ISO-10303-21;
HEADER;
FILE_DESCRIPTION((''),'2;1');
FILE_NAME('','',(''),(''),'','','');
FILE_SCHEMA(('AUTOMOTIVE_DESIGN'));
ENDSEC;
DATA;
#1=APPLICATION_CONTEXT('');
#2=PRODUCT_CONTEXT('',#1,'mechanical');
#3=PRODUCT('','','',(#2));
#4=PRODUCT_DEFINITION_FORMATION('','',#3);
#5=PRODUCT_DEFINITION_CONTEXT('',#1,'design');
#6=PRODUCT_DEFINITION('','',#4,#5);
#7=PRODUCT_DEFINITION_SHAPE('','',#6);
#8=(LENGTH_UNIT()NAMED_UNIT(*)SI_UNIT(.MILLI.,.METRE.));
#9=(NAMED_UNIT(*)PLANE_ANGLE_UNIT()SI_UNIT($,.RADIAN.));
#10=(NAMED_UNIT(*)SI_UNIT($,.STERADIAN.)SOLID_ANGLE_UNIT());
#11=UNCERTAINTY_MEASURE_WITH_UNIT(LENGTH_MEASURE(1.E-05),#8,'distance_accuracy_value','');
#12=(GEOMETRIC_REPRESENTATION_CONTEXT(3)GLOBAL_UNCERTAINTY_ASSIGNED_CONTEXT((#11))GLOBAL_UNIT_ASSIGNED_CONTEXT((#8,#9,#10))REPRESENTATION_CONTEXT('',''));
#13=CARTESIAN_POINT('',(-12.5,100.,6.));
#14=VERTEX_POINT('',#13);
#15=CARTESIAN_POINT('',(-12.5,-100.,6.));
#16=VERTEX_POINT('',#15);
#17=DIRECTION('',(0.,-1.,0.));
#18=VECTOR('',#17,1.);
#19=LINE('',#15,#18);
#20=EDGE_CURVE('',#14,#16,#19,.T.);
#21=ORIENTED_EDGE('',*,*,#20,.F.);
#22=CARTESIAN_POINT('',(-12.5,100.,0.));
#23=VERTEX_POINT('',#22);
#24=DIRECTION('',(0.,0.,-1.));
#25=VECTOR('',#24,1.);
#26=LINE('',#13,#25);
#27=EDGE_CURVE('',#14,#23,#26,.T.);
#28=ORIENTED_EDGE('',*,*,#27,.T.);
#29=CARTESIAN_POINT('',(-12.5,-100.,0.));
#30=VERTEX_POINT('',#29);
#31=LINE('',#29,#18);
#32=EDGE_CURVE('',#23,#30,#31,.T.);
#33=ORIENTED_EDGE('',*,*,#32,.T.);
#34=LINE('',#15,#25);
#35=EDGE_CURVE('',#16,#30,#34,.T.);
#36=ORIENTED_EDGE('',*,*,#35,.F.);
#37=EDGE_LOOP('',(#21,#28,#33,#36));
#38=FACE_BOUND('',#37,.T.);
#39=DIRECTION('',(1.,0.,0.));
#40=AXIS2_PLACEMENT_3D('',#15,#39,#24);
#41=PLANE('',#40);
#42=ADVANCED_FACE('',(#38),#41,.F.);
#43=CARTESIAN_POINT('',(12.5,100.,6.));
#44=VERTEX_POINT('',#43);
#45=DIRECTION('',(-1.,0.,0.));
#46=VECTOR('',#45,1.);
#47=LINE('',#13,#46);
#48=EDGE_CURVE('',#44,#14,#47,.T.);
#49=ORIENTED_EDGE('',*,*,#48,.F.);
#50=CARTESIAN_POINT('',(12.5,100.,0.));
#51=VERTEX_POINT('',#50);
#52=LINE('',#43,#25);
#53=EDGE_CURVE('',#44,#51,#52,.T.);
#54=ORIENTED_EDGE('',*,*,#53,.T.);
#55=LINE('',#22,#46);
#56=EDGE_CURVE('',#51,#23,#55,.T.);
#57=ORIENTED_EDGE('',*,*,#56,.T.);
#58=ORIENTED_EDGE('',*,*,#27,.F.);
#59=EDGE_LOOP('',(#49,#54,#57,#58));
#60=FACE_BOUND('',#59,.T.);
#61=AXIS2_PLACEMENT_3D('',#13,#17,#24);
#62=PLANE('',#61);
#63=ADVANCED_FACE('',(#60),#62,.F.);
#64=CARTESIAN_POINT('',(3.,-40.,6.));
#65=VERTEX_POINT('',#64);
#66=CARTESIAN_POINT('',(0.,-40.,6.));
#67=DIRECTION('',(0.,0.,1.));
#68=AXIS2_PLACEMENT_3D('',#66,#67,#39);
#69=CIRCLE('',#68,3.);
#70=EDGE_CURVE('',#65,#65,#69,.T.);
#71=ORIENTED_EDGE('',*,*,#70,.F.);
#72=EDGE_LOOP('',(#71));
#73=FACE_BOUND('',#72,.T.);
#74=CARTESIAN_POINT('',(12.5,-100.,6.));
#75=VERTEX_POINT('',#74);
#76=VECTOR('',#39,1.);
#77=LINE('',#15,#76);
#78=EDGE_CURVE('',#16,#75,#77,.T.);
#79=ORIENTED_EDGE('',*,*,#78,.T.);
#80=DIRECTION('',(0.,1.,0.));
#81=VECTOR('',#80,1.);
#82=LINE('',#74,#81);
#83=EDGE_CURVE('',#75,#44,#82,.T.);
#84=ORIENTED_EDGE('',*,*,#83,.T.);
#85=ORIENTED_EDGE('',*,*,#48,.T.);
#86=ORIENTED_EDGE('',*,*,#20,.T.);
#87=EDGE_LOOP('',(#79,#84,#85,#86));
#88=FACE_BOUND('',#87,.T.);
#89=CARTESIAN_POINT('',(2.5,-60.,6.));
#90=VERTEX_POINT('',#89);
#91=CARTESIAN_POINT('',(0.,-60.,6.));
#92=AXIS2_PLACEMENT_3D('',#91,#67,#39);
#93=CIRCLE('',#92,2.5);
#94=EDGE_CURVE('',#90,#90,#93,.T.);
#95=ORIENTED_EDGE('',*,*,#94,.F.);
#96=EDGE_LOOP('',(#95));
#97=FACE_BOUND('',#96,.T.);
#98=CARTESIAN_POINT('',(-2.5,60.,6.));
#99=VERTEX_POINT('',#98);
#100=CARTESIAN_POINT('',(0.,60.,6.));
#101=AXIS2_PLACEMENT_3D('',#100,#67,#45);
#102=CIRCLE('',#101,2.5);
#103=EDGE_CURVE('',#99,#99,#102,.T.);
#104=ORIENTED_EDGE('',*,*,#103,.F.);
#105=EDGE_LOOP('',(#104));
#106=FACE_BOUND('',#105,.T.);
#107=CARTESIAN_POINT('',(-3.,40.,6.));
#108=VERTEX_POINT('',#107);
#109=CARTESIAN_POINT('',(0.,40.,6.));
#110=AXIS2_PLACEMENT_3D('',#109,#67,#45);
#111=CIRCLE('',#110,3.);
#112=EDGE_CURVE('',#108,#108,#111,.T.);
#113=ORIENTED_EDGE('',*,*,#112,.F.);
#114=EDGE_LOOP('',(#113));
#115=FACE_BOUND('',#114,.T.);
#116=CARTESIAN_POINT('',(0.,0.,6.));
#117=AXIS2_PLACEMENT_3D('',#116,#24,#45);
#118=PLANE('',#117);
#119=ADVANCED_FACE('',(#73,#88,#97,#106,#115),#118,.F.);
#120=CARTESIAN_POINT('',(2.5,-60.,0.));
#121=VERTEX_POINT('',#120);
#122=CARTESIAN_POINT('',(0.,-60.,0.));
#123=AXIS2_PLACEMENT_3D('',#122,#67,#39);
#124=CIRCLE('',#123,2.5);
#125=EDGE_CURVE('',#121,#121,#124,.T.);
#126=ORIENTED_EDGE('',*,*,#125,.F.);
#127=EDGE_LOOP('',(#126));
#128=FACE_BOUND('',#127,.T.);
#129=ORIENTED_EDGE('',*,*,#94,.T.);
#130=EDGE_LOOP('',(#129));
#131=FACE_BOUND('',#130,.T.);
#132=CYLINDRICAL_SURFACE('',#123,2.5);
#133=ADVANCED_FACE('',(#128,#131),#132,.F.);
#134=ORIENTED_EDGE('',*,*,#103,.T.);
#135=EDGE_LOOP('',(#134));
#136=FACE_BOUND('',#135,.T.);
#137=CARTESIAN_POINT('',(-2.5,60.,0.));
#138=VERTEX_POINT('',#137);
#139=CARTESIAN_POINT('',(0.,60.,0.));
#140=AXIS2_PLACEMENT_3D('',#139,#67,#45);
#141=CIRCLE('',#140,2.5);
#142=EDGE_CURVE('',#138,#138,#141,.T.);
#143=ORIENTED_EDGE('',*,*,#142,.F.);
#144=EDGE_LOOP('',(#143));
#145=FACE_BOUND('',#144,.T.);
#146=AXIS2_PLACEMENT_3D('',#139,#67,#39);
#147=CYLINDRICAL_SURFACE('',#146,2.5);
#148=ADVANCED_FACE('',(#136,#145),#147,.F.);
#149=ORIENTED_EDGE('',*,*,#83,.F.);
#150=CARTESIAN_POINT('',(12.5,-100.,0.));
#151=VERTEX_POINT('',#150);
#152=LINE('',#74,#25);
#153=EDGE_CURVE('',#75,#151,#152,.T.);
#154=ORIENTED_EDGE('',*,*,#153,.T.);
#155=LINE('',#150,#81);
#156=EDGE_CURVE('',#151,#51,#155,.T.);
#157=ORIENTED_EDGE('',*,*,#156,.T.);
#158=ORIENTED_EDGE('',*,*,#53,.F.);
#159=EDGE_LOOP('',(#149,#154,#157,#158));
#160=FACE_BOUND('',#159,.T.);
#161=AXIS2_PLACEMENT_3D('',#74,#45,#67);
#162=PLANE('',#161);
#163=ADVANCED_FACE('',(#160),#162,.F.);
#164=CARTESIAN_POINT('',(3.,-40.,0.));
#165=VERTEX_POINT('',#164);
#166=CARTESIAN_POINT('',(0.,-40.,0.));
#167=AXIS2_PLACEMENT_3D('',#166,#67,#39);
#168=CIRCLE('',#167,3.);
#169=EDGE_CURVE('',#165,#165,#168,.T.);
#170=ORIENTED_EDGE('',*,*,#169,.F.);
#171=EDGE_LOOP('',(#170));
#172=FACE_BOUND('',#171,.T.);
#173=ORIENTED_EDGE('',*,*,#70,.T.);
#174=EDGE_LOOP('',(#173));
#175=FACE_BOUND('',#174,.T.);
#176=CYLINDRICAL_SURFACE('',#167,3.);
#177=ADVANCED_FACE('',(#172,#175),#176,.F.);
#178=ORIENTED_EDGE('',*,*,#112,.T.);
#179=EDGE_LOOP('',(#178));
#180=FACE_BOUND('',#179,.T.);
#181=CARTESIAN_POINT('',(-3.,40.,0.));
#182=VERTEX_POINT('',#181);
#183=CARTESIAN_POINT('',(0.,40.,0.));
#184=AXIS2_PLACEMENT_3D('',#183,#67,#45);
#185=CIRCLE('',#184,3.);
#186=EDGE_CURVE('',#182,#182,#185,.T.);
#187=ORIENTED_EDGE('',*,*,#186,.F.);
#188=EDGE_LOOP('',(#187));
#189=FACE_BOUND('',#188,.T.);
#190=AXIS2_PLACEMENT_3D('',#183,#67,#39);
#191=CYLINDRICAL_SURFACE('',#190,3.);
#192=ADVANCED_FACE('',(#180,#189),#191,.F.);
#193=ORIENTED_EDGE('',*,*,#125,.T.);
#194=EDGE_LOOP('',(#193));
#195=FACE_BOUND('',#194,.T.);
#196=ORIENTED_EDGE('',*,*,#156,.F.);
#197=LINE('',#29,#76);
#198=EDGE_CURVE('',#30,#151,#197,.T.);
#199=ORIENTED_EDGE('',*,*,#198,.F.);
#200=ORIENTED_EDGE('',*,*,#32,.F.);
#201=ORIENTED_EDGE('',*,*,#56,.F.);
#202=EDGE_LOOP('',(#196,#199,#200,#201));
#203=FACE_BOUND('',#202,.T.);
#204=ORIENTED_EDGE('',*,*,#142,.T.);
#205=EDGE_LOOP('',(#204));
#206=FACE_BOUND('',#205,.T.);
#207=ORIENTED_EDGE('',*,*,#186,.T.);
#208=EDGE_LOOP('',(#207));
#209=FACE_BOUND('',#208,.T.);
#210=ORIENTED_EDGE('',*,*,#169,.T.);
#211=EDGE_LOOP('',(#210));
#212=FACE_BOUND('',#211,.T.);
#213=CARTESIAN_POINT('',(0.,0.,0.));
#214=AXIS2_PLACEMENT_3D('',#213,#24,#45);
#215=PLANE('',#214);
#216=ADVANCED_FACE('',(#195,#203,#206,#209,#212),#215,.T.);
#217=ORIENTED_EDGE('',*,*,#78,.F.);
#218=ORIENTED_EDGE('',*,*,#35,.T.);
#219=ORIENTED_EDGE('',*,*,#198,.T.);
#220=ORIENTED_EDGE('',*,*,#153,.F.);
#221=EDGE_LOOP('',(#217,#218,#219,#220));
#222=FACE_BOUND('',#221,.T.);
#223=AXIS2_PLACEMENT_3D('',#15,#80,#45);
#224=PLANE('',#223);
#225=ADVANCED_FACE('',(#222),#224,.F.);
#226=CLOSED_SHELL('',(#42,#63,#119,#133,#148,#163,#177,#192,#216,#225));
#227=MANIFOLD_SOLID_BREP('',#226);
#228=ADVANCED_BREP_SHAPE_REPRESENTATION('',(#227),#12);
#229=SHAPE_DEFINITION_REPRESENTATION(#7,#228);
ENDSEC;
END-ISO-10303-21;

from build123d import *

# Parameters (mm, degrees)
SKETCH1_W           = 25
SKETCH1_H           = 200
BOSS_EXTRUDE1_DEPTH = 6
SKETCH2_R           = 2.5
SKETCH2_R_2         = 3
CUT_EXTRUDE1_DEPTH  = 6


with BuildPart() as part:
    # Sketch1 → Boss-Extrude1 (new body)
    with BuildSketch(Plane.XY):
        Rectangle(SKETCH1_W, SKETCH1_H)
    extrude(amount=BOSS_EXTRUDE1_DEPTH)

    # Sketch2 → Cut-Extrude1 (cut)
    with BuildSketch(Plane.XY.offset(6)):
        with Locations((0, -60)):
            Circle(SKETCH2_R)
        with Locations(Location((0, 60, 0), (0, 0, 180))):
            Circle(SKETCH2_R)
        with Locations((0, -40)):
            Circle(SKETCH2_R_2)
        with Locations(Location((0, 40, 0), (0, 0, 180))):
            Circle(SKETCH2_R_2)
    extrude(amount=-CUT_EXTRUDE1_DEPTH, mode=Mode.SUBTRACT)


solid = part.part
